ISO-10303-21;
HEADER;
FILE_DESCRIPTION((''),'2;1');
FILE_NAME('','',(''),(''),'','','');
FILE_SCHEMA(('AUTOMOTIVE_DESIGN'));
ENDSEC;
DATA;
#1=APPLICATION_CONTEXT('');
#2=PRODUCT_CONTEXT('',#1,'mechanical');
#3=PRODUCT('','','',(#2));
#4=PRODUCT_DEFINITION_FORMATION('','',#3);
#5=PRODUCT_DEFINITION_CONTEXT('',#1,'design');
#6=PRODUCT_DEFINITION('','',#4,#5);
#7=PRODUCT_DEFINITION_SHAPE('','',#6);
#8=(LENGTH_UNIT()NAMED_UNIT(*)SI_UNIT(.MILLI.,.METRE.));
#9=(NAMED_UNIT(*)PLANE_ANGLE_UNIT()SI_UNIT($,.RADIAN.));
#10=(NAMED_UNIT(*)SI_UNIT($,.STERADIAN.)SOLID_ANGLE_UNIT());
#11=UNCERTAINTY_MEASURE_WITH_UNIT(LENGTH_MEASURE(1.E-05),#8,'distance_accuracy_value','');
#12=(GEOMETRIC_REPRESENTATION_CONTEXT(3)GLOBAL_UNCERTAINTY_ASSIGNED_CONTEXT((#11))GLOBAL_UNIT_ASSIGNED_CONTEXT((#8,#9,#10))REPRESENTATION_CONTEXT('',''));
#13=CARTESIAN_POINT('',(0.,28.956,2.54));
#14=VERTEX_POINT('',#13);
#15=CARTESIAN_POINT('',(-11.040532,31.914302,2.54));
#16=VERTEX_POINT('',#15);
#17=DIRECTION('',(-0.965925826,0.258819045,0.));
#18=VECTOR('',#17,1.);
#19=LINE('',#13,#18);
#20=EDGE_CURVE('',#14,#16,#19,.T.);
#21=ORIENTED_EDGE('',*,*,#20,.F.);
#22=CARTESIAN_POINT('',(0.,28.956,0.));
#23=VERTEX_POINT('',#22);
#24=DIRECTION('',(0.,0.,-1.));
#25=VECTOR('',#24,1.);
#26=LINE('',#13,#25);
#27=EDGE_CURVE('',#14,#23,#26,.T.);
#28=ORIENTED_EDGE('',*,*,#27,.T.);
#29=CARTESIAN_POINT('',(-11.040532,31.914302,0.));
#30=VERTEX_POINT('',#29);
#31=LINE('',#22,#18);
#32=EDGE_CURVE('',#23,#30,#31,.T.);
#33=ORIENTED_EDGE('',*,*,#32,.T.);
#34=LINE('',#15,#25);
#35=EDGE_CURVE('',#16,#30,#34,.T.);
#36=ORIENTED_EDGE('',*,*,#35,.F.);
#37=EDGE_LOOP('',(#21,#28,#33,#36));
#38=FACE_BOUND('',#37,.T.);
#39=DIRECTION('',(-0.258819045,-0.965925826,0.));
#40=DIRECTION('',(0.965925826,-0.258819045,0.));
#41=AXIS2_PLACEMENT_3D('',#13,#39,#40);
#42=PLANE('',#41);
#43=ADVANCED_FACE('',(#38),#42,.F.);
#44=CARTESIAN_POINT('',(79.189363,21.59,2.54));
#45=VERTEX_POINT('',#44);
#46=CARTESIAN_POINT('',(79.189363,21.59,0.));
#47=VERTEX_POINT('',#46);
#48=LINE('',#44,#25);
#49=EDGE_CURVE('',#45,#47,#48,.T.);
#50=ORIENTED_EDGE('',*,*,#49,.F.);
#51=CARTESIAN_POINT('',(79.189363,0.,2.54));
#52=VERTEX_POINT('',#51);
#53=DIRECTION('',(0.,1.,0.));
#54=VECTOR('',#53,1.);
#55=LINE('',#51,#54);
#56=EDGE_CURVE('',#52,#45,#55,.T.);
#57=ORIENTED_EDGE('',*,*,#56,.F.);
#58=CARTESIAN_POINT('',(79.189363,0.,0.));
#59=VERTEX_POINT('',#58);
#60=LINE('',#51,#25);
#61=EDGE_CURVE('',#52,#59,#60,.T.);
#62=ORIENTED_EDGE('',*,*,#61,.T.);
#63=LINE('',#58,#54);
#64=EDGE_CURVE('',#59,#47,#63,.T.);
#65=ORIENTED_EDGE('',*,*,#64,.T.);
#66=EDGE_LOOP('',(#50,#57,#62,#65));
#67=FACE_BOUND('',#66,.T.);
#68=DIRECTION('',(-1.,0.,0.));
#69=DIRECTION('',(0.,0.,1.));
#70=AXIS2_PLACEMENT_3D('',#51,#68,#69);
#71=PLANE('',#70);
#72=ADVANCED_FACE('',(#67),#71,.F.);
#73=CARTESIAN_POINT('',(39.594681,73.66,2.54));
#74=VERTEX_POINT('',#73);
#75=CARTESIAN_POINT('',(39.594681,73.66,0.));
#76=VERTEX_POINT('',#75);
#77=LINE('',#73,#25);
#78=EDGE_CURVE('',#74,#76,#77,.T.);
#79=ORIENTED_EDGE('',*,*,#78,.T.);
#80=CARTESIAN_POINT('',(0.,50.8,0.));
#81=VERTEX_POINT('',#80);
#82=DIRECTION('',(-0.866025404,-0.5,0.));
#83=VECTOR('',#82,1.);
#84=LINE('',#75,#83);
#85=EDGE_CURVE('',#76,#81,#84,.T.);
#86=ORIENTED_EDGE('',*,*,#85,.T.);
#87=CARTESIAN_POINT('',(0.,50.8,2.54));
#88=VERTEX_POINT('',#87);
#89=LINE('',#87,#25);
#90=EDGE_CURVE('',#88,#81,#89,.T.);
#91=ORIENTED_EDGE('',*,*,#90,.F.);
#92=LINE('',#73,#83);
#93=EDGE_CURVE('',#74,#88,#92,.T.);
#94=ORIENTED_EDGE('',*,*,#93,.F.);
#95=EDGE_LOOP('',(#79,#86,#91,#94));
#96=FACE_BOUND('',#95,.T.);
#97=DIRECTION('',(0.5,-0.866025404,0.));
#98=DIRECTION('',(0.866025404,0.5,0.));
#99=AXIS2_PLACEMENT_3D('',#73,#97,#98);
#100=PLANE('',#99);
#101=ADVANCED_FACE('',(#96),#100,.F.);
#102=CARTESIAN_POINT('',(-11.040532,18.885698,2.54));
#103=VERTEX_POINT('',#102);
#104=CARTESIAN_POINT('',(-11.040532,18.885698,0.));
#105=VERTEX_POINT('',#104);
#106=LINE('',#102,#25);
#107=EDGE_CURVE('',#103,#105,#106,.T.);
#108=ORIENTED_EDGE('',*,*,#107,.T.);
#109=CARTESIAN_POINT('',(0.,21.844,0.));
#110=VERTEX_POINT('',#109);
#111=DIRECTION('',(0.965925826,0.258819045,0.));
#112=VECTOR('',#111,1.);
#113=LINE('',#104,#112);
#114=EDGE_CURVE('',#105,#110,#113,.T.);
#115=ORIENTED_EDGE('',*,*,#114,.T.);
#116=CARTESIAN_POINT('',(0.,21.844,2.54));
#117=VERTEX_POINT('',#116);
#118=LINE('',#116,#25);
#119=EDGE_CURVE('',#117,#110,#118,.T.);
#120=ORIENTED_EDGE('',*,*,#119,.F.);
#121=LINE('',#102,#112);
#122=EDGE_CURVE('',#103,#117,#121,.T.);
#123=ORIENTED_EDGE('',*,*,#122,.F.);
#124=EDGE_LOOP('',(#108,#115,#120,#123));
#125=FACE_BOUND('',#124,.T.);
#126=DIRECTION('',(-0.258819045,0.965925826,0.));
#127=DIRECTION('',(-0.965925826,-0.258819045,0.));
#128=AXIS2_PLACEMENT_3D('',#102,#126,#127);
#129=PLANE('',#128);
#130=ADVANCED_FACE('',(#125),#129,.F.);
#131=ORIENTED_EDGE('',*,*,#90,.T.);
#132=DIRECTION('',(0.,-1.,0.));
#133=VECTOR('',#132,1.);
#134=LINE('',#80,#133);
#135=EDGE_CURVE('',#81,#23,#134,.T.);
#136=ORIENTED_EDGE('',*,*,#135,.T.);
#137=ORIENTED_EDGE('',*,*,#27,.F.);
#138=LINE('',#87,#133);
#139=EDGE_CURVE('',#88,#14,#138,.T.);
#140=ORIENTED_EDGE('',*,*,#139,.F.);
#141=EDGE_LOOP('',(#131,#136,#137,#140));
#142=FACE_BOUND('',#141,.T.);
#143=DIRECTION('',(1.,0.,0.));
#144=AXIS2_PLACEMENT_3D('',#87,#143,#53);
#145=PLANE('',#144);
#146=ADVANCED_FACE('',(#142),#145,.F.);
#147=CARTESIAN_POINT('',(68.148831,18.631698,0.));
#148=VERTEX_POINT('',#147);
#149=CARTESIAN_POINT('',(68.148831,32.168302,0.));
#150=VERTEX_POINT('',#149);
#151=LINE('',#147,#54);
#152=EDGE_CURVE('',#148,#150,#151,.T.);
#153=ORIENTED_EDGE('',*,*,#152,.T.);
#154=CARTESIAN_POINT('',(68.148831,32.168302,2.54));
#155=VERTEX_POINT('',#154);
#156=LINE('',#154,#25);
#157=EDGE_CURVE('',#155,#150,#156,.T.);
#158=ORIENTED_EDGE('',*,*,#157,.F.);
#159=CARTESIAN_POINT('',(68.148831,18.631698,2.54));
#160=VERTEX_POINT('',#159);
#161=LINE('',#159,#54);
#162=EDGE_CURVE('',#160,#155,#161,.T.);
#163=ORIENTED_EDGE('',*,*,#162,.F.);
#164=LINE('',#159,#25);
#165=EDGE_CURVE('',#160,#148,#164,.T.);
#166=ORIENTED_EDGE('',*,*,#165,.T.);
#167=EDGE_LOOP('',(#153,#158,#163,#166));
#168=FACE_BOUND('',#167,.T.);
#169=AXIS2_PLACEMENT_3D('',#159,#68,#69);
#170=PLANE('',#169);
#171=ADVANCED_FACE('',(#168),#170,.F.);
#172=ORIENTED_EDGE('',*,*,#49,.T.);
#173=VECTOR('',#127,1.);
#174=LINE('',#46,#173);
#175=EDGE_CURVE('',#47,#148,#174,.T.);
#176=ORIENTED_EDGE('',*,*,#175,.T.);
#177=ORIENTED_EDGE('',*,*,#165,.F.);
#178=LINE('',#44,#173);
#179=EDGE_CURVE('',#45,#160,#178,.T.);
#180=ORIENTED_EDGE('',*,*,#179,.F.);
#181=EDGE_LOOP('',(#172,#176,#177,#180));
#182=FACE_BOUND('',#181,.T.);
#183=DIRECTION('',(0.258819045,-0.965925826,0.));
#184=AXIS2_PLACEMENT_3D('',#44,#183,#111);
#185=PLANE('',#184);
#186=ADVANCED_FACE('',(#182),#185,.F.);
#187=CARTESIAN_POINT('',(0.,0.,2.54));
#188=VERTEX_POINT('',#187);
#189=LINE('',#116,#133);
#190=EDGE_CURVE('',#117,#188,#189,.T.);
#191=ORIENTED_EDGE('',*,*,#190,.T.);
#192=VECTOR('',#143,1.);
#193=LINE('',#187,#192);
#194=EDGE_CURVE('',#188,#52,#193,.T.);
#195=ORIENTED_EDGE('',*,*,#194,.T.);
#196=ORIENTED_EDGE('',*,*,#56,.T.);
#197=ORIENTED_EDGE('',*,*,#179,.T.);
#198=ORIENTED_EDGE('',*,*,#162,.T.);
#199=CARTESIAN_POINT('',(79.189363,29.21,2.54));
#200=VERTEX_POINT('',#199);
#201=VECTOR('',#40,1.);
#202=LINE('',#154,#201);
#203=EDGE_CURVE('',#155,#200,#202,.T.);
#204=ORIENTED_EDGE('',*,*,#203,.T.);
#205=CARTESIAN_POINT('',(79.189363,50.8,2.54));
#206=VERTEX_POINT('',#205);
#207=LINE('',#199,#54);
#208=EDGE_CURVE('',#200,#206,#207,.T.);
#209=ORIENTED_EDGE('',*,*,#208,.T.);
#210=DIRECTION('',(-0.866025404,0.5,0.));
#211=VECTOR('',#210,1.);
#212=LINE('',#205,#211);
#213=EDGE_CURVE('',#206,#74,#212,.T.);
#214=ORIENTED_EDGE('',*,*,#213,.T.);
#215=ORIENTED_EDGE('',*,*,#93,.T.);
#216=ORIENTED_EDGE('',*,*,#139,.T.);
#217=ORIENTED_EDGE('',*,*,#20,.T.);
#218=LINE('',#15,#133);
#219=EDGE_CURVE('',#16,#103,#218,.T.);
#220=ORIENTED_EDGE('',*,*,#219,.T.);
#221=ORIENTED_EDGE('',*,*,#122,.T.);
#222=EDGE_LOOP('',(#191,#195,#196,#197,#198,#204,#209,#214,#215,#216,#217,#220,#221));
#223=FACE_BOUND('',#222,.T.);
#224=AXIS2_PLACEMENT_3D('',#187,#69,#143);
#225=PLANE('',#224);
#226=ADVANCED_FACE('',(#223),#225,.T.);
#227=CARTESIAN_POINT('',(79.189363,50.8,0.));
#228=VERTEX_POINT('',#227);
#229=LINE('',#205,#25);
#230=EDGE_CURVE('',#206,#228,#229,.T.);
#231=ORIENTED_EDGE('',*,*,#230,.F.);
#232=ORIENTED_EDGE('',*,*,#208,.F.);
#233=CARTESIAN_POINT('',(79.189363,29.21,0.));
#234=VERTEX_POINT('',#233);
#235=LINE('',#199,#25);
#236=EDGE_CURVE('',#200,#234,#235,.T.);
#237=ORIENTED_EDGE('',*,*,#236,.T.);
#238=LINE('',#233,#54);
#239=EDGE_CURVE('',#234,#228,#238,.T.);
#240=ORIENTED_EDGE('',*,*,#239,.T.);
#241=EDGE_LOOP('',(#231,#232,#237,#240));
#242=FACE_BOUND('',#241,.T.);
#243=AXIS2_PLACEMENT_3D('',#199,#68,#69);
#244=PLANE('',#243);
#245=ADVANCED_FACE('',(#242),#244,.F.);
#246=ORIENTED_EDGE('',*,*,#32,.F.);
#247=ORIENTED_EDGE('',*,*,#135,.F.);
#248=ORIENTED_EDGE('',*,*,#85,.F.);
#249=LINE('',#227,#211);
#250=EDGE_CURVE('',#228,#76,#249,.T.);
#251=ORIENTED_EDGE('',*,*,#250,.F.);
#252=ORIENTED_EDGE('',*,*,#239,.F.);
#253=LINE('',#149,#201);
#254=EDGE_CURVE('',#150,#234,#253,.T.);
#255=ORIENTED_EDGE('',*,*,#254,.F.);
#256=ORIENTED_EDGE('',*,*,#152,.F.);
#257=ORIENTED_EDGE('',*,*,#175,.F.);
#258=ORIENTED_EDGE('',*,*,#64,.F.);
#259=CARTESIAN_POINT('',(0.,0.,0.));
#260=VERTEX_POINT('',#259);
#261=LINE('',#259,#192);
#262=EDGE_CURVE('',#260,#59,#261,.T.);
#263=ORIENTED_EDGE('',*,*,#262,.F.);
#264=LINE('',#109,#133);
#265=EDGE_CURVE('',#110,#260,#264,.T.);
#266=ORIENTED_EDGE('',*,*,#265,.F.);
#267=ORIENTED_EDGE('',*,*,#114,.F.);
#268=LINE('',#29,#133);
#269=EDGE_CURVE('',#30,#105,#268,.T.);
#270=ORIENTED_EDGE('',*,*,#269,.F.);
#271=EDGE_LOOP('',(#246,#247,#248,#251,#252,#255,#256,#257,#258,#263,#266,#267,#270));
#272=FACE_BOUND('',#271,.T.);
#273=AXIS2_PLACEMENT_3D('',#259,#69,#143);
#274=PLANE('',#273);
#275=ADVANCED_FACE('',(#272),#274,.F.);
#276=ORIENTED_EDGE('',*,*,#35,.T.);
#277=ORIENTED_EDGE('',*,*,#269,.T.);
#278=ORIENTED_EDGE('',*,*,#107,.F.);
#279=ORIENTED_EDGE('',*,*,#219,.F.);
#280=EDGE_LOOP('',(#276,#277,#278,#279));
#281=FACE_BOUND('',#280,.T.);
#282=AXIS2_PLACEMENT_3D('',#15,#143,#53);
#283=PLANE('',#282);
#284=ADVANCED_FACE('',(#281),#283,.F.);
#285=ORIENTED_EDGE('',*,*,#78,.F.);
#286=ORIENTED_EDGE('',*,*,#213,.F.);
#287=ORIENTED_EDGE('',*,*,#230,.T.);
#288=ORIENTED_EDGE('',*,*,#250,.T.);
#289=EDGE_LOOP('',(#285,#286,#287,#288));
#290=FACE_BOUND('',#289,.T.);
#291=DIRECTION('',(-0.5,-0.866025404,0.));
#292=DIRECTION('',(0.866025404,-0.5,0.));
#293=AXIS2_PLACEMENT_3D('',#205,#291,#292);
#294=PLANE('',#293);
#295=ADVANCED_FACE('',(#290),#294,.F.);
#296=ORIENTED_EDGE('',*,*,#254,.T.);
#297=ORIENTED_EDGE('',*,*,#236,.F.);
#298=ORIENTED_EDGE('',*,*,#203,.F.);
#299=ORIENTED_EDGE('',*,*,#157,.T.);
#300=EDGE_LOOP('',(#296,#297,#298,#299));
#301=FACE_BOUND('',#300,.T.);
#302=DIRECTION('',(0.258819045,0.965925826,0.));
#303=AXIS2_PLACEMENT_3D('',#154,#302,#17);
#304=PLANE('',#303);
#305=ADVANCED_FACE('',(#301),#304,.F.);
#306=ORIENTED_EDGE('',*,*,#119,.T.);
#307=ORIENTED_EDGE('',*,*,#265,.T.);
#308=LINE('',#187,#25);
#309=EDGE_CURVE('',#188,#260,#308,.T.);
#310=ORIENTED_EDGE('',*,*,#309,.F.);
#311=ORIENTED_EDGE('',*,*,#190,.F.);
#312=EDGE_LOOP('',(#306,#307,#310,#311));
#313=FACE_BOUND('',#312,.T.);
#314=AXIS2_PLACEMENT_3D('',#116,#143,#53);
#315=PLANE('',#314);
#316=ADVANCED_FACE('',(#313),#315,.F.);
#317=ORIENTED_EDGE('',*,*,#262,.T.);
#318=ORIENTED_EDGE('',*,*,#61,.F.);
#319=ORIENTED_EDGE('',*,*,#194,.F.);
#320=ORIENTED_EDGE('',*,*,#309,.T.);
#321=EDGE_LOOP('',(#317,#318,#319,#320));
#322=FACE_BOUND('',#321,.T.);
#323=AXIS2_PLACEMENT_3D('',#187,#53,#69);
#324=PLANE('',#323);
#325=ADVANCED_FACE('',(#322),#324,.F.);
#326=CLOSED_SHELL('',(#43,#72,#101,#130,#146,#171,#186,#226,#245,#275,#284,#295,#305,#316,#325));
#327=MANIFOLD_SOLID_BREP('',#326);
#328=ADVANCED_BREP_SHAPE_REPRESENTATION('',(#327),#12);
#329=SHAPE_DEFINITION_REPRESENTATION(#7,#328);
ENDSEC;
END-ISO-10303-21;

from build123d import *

# Parameters (mm, degrees)
BOSS_EXTRUDE1_DEPTH = 2.54


with BuildPart() as part:
    # Sketch1 → Boss-Extrude1 (new body)
    with BuildSketch(Plane.XY):
        Polygon((0, 0), (79.189362922, 0), (79.189362922, 21.59), (68.148830728, 18.631698314), (68.148830728, 32.168301686), (79.189362922, 29.21), (79.189362922, 50.8), (39.594681461, 73.66), (0, 50.8), (0, 28.956), (-11.040532194, 31.914301686), (-11.040532194, 18.885698314), (0, 21.844), align=None)
    extrude(amount=BOSS_EXTRUDE1_DEPTH)


solid = part.part
